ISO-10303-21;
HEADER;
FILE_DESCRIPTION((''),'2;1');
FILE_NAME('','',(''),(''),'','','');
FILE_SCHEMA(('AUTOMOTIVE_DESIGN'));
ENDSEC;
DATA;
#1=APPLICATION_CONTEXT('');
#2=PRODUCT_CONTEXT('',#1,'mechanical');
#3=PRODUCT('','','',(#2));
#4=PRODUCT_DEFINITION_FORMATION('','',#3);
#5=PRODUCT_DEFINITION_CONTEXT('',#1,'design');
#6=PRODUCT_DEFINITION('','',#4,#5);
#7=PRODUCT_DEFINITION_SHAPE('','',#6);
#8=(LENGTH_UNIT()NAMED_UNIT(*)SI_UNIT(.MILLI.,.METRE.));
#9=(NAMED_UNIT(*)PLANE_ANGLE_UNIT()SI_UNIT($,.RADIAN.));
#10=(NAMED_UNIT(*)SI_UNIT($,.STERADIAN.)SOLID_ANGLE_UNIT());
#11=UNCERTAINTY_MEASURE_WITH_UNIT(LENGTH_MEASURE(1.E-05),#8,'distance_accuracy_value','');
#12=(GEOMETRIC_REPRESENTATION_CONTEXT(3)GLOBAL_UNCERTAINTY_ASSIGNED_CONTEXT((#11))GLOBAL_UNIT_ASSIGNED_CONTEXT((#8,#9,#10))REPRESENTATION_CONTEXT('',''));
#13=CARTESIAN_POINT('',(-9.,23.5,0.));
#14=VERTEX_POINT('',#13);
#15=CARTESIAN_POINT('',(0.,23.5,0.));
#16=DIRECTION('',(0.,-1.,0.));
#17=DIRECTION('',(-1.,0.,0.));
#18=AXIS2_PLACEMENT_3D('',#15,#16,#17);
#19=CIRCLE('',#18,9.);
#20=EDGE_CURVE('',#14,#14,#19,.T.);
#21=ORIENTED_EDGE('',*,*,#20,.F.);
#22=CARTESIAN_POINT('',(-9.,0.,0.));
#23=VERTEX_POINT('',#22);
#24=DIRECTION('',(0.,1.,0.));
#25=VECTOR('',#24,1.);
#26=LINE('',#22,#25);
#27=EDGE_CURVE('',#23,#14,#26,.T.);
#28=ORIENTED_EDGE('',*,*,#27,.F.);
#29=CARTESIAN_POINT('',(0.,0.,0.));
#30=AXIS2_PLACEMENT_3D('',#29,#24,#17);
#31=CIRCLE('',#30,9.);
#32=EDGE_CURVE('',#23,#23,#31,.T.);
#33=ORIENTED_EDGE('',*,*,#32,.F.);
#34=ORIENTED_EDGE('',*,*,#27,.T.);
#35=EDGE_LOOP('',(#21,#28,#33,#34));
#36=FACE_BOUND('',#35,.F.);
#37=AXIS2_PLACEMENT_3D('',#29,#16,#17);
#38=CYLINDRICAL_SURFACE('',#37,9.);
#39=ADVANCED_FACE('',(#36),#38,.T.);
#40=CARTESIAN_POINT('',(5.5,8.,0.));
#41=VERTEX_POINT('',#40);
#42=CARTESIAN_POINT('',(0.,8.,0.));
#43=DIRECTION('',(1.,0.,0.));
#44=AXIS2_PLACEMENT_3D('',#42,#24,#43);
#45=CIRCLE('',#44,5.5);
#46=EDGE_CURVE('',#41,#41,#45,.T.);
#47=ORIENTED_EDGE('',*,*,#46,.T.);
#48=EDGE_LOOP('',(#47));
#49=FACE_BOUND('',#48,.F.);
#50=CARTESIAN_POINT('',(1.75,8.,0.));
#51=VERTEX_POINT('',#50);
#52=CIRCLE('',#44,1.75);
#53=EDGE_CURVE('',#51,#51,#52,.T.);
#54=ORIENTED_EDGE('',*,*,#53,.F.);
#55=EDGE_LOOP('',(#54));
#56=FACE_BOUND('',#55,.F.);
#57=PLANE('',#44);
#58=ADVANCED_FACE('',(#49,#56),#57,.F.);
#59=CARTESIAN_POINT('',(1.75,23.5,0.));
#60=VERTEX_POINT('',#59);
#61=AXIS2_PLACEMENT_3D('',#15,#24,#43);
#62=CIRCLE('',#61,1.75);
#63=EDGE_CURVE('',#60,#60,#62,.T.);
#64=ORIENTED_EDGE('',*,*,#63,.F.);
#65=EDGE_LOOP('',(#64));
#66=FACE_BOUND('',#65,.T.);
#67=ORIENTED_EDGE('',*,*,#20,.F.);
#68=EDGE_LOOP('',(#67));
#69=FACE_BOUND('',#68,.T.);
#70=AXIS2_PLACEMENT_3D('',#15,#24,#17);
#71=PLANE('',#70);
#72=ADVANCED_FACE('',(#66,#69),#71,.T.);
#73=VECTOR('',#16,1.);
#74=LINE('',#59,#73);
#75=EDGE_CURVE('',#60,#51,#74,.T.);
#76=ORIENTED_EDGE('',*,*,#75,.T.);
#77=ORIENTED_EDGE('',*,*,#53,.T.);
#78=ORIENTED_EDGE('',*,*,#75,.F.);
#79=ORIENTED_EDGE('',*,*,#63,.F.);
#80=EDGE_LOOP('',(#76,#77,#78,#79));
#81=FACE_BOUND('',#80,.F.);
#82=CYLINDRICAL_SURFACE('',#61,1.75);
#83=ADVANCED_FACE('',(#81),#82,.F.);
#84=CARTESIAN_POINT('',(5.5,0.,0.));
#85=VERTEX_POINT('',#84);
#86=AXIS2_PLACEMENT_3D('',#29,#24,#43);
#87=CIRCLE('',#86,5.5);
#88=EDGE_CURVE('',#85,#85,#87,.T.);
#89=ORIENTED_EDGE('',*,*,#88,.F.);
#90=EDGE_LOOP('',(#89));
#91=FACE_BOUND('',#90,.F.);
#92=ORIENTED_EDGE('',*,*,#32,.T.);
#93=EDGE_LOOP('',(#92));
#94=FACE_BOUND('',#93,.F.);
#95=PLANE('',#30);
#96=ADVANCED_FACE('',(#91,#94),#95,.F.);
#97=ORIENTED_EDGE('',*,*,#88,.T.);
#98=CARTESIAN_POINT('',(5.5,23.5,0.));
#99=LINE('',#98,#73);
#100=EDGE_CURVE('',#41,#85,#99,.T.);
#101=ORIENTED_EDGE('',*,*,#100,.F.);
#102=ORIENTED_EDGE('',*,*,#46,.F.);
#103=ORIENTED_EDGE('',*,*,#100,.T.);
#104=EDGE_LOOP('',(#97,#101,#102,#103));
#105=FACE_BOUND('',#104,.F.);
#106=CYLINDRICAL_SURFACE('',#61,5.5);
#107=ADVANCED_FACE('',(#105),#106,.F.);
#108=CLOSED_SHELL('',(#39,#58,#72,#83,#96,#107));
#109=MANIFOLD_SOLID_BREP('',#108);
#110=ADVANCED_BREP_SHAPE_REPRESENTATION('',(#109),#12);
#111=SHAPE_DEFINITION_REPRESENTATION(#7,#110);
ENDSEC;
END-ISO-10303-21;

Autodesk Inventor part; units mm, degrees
ref_plane "YZ Plane" through (0, 0, 0) normal (1, 0, 0) x (0, 1, 0)
ref_plane "XZ Plane" through (0, 0, 0) normal (0, 1, 0) x (-1, 0, 0)
ref_plane "XY Plane" through (0, 0, 0) normal (0, 0, 1) x (1, 0, 0)
sketch "Sketch1" plane through (0, 0, 0) normal (0, 1, 0) x (-1, 0, 0)
  circle A0 centre (0, 0) radius 9
  dimension "d0" = 18
extrude "Extrusion1" add sketch "Sketch1" along normal blind 23.5
sketch "Sketch2" plane through (0, 23.5, 0) normal (0, 1, 0) x (1, 0, 0)
  circle A0 centre (0, 0) radius 5.5
  dimension "d3" = 11
extrude "Extrusion2" cut sketch "Sketch2" against normal up to next
sketch "Sketch3" plane through (0, 23.5, 0) normal (0, 1, 0) x (1, 0, 0)
  circle A0 centre (0, 0) radius 1.75
  circle A1 centre (0, 0) radius 9
  dimension "d6" = 3.5
  dimension "d7" = 18
extrude "Extrusion3" add sketch "Sketch3" against normal blind 15.5
properties part number "Idle_Pulley_Bearing"
